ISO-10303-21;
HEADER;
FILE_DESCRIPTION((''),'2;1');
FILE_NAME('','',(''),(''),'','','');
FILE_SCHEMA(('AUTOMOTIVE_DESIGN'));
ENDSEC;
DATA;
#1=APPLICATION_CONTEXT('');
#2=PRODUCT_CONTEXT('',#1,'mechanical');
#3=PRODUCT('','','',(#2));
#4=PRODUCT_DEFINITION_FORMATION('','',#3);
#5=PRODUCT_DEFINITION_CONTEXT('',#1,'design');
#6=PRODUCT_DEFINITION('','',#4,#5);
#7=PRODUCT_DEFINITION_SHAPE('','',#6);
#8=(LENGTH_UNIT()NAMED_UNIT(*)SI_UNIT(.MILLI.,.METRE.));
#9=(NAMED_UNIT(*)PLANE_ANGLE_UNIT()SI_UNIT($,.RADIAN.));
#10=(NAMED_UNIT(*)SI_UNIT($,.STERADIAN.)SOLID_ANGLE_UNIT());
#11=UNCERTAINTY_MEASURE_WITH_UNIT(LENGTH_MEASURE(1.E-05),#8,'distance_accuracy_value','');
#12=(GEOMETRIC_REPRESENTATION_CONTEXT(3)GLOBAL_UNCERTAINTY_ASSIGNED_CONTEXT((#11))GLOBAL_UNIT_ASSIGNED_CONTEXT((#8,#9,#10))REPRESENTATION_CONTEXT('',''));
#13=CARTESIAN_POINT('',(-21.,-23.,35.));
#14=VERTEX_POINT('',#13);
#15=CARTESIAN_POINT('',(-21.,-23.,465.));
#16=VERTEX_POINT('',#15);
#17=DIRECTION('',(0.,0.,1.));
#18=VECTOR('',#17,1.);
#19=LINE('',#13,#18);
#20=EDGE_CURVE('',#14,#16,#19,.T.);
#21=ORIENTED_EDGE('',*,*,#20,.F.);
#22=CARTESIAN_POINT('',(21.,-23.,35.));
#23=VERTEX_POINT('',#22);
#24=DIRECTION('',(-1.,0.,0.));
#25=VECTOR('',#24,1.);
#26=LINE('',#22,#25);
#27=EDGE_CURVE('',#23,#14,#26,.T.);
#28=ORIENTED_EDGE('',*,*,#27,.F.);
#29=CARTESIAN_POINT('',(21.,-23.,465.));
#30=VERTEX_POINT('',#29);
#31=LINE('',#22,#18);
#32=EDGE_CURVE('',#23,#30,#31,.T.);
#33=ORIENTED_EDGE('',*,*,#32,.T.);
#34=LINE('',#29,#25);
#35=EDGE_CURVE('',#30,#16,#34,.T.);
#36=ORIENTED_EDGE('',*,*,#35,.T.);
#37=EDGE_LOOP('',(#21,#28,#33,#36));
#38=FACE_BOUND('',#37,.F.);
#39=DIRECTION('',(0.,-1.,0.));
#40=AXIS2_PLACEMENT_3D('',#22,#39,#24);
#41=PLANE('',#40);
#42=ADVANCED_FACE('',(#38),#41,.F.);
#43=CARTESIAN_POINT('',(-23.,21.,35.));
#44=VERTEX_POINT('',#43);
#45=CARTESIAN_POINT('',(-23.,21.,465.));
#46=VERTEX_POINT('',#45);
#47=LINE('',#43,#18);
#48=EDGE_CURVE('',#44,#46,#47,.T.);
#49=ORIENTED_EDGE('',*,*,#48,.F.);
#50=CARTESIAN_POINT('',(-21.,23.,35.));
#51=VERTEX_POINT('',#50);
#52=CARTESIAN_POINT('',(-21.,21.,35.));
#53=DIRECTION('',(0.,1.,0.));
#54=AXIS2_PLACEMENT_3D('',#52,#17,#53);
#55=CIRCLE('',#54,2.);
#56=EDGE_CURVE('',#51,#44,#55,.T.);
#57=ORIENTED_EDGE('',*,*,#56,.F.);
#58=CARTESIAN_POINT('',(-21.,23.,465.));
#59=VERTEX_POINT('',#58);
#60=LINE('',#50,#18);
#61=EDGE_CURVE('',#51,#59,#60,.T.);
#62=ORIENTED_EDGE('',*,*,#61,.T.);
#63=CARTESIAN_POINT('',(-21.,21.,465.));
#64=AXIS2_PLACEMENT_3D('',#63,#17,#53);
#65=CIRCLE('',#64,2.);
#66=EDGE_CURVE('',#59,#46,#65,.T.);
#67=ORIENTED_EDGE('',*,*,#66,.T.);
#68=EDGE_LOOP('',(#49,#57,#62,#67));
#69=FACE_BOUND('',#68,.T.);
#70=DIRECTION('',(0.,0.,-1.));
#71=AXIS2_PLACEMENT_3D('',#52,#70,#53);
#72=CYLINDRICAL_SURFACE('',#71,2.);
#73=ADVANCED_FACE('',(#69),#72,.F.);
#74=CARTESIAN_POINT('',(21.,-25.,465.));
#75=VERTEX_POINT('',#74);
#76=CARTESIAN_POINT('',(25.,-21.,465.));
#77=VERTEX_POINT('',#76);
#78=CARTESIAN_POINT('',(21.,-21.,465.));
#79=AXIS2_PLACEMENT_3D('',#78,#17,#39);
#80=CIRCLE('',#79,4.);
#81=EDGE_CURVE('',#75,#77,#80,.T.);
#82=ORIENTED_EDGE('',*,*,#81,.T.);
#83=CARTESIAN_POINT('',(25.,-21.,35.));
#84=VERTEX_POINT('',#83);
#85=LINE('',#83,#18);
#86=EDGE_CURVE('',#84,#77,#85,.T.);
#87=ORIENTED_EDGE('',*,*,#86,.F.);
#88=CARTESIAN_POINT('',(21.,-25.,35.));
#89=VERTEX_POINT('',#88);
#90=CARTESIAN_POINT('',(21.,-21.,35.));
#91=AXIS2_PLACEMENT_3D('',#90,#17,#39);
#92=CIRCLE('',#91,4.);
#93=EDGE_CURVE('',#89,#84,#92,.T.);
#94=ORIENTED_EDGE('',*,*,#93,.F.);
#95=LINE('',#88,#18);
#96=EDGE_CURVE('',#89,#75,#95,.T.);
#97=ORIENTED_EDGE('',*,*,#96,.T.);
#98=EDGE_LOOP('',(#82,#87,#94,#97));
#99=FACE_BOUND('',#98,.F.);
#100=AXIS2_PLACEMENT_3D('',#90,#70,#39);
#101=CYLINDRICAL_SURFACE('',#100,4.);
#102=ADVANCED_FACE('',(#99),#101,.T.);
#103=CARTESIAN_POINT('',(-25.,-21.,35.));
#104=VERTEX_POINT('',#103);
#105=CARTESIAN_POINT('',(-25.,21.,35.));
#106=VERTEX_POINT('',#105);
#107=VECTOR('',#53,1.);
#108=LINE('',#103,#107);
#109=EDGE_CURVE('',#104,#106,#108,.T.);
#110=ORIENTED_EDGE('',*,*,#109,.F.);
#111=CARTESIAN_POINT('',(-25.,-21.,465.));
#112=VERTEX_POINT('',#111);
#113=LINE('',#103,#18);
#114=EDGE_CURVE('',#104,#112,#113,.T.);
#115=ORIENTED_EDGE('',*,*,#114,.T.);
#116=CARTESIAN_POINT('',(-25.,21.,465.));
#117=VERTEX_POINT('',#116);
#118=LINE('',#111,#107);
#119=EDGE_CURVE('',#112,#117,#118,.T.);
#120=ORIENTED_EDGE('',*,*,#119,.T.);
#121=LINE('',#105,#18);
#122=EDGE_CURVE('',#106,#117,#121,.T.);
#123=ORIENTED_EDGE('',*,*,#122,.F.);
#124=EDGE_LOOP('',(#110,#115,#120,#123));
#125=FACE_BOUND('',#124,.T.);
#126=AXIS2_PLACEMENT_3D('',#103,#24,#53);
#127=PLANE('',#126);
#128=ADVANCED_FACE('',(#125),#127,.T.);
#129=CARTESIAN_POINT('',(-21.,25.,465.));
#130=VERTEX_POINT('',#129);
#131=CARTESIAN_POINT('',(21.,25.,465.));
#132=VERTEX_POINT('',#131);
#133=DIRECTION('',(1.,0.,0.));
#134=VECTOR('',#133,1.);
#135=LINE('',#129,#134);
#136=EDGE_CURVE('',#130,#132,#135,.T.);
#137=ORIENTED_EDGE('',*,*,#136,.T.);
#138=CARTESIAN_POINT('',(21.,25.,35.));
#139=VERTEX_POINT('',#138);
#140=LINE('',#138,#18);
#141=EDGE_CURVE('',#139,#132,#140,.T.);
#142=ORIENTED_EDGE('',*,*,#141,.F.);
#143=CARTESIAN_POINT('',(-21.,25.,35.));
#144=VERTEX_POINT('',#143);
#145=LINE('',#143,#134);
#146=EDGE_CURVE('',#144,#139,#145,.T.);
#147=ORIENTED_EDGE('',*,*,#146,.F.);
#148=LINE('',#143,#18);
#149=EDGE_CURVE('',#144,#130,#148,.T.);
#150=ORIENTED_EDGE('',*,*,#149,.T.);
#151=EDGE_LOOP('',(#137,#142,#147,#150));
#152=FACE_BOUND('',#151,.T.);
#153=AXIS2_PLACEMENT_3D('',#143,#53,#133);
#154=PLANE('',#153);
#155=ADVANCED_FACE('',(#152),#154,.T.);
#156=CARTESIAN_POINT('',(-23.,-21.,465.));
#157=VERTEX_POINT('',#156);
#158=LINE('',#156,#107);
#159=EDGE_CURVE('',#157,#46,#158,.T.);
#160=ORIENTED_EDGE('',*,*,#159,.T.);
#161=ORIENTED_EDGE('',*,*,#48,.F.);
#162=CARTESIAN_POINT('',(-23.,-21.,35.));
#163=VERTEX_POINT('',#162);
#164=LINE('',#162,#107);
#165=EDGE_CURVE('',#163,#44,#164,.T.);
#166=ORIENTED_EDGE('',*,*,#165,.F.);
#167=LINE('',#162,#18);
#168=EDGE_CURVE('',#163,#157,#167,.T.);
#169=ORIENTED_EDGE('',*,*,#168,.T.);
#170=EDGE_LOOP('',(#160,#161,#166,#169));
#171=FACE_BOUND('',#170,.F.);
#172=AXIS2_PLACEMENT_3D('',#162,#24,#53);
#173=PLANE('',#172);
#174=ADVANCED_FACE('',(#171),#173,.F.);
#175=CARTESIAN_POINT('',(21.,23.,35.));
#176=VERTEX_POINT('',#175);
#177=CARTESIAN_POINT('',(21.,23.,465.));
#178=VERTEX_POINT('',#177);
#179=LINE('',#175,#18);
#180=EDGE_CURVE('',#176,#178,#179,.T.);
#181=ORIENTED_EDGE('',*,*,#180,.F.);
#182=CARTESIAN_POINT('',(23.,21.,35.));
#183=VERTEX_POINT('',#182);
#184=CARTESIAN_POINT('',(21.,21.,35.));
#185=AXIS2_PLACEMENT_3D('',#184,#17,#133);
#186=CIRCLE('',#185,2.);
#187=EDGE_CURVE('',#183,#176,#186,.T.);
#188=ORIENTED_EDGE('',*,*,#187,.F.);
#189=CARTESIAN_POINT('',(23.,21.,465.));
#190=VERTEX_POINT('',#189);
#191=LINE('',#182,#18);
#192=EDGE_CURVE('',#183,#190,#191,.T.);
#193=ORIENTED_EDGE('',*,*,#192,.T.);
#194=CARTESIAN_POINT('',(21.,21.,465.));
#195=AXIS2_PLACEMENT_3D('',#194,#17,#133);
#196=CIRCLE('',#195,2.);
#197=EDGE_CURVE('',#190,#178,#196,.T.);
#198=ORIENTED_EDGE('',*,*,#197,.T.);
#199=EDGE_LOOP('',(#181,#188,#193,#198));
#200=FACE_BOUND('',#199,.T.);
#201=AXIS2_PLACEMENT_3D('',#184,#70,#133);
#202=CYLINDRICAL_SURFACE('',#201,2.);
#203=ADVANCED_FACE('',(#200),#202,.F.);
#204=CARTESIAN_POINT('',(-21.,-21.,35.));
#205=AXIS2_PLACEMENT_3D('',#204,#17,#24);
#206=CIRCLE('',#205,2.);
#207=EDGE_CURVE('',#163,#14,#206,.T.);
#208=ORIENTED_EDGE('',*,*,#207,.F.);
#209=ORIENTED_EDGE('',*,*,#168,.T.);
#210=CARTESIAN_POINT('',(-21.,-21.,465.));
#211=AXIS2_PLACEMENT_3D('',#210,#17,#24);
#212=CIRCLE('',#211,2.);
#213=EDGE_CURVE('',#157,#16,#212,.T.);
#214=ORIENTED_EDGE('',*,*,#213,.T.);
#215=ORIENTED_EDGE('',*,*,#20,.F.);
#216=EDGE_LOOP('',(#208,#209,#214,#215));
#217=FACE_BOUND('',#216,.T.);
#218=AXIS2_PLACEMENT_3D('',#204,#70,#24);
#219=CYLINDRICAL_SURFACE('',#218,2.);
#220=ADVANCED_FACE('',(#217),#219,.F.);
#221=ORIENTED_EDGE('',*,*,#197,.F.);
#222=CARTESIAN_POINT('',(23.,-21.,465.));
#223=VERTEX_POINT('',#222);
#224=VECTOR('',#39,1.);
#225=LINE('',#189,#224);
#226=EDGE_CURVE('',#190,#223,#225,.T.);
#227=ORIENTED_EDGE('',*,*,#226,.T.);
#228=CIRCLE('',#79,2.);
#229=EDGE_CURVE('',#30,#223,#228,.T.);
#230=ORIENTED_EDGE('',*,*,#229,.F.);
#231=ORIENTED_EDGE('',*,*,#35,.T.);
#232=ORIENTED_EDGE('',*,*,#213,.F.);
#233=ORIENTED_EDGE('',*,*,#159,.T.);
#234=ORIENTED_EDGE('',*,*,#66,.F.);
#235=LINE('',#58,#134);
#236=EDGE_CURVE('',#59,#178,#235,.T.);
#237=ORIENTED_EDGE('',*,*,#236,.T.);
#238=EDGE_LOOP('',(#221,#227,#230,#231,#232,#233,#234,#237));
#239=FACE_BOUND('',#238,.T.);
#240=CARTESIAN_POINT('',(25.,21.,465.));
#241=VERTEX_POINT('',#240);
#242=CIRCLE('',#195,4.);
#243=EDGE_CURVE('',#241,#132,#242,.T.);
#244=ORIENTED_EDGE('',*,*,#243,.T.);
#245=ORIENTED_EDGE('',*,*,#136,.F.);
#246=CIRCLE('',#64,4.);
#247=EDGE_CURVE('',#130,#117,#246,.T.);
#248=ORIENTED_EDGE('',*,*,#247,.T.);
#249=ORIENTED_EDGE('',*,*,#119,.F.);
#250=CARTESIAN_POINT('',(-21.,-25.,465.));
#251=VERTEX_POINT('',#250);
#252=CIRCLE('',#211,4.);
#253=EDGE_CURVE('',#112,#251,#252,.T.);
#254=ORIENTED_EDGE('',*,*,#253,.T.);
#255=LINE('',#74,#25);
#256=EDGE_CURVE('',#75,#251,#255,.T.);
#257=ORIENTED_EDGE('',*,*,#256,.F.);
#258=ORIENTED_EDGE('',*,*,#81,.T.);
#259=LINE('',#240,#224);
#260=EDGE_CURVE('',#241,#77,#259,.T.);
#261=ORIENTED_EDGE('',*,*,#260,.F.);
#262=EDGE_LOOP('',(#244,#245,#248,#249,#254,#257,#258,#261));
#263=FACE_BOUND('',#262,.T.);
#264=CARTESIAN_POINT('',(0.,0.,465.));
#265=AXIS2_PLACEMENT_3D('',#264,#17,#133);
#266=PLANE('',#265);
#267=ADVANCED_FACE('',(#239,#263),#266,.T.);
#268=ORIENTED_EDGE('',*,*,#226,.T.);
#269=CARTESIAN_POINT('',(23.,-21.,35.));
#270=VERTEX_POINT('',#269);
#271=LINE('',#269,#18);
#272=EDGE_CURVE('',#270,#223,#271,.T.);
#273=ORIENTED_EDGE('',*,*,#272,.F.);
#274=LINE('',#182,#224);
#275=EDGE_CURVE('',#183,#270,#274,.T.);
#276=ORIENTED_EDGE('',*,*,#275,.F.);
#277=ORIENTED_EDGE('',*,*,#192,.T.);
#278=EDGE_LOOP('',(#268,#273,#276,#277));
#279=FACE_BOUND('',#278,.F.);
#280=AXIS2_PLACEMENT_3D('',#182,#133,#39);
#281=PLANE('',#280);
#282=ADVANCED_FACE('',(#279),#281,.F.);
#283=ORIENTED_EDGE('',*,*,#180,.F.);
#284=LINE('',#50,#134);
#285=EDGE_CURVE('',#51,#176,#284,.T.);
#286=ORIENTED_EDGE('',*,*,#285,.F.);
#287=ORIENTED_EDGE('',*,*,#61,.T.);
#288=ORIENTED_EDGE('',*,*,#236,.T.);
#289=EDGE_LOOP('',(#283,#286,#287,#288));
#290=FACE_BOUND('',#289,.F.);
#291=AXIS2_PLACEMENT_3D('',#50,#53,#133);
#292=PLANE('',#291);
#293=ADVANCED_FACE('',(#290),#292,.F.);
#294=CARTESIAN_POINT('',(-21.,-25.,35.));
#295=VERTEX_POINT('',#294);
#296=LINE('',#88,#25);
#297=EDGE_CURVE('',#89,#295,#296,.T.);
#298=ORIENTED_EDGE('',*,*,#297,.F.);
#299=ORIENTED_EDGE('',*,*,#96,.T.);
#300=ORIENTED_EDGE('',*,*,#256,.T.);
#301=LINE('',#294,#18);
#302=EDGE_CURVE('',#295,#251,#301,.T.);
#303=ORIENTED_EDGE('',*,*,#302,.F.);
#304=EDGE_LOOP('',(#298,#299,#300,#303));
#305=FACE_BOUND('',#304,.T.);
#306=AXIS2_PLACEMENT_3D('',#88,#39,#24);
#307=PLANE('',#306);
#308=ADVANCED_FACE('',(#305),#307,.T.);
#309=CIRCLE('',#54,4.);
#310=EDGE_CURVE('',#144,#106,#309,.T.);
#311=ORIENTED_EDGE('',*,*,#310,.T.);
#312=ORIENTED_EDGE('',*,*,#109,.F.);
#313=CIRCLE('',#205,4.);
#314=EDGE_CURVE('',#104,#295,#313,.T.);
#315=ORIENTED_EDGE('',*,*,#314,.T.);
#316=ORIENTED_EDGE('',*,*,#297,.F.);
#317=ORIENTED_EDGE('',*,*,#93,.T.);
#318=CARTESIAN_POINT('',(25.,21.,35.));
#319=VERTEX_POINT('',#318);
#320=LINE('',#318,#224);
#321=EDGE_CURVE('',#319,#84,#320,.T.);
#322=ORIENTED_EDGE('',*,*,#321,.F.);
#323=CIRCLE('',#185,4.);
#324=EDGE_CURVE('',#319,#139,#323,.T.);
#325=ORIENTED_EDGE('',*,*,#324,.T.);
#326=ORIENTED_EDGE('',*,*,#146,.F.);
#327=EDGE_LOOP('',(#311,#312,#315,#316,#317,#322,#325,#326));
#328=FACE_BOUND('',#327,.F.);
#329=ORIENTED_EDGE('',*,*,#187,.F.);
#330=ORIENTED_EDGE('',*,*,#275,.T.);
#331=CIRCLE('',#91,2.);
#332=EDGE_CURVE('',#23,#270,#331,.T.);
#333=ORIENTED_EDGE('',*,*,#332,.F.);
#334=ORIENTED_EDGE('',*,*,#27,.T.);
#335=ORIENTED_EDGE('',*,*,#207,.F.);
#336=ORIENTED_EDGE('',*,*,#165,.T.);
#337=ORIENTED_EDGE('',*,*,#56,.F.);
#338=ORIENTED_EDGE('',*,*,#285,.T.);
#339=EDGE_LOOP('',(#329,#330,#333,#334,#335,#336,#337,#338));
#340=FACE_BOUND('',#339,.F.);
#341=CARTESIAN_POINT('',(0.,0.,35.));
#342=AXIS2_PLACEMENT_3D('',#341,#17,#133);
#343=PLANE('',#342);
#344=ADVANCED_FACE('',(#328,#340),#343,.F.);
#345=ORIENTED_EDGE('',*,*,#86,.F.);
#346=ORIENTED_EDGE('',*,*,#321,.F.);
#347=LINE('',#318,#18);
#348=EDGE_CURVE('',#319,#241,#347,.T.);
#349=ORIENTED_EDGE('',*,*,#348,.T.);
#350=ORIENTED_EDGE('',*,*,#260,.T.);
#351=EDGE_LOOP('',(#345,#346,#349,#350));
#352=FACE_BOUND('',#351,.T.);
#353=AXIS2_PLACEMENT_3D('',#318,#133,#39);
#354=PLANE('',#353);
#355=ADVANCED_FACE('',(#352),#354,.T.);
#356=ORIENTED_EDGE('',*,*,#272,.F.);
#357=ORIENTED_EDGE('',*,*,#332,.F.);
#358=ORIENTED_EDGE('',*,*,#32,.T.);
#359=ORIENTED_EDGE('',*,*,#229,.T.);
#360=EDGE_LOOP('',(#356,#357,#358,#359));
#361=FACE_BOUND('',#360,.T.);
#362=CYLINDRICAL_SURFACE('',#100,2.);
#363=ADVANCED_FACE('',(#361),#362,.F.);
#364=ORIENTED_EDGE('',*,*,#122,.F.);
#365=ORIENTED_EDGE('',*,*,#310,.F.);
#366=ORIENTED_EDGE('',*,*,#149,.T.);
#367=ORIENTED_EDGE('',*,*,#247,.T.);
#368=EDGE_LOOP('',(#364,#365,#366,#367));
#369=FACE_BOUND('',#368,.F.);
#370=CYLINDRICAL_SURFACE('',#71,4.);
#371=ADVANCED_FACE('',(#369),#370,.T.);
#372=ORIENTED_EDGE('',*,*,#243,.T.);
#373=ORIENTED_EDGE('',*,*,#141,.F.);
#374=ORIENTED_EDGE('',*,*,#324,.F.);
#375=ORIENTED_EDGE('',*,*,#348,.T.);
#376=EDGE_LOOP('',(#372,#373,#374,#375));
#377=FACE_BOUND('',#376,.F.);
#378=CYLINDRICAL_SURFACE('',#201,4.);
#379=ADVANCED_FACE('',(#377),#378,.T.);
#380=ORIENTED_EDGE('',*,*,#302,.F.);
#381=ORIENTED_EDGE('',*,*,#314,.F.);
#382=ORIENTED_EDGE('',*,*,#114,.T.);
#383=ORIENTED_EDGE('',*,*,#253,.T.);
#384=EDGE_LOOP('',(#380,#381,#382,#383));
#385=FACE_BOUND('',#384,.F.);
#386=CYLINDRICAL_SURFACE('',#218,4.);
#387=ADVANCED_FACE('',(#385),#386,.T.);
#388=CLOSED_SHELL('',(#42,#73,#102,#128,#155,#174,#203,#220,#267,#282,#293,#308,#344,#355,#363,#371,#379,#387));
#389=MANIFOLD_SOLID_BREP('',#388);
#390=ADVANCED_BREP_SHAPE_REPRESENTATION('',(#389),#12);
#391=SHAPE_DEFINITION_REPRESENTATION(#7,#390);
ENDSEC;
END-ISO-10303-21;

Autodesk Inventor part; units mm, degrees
ref_plane "Plano inicial" through (0, 0, 35) normal (0, 0, 1) x (1, 0, 0)
ref_plane "Plano final" through (0, 0, 465) normal (0, 0, 1) x (1, 0, 0)
sketch "Boceto" plane through (0, 0, 0) normal (0, 0, 1) x (1, 0, 0)
  line L0 (-25, -21) -> (-25, 21)
  line L1 (-21, 25) -> (21, 25)
  line L2 (25, 21) -> (25, -21)
  line L3 (21, -25) -> (-21, -25)
  arc A0 (-25, -21) -> (-21, -25) centre (-21, -21) ccw
  arc A1 (25, 21) -> (21, 25) centre (21, 21) ccw
  arc A2 (-21, 25) -> (-25, 21) centre (-21, 21) ccw
  arc A3 (21, -25) -> (25, -21) centre (21, -21) ccw
  arc A4 (-21, 23) -> (-23, 21) centre (-21, 21) ccw
  line L4 (-21, 23) -> (21, 23)
  arc A5 (23, 21) -> (21, 23) centre (21, 21) ccw
  line L5 (23, 21) -> (23, -21)
  arc A6 (21, -23) -> (23, -21) centre (21, -21) ccw
  line L6 (21, -23) -> (-21, -23)
  arc A7 (-23, -21) -> (-21, -23) centre (-21, -21) ccw
  line L7 (-23, -21) -> (-23, 21)
  line L8 (0, 36.1598) -> (0, -36.1598) construction
  line L9 (-36.1598, 0) -> (36.1598, 0) construction
  dimension "d7" = 4
  dimension "d9" = 50
  dimension "d11" = 50
  dimension "d12" = 2
  dimension "d15" = 25
  dimension "d16" = 25
extrude "Cuerpo" add sketch "Boceto" along normal up to surface (430 mm away) from surface at 35
sketch "Sketch3" plane through (0, 0, 0) normal (0, 0, 1) x (1, 0, 0)
  line L0 (0, 0) -> (10, 0)
ref_plane "Work Plane3" through (0, 0, 0) normal (0, -1, 0) x (1, 0, 0)
sketch "Sketch4" plane through (0, 0, 0) normal (0, -1, 0) x (1, 0, 0)
  line L0 (-2, 35) -> (12, 35)
  line L1 (-2, 465) -> (12, 465)
  dimension "d18" = 430
ref_plane "Plano de trabajo4" through (-1870, 29, 465) normal (0, 0, 1) x (1, 0, 0)
split "Dividir1" plane through (-1870, 29, 465) removes the side toward (0, 0, 1)
ref_plane "Plano de trabajo5" through (-1870, -29, 35) normal (0, 0, -1) x (-1, 0, 0)
split "Dividir2" plane through (-1870, -29, 35) removes the side toward (0, 0, -1)
equation "\"d7\" = G_IR"
equation "\"d9\" = G_W"
equation "\"d11\" = G_H"
equation "\"d12\" = G_T"
equation "\"d15\" = 0.5 * d9"
equation "\"d16\" = 0.5 * d11"
equation "\"d3\" = G_L"
equation "\"G_W\" = 50"
equation "\"G_H\" = 50"
equation "\"G_T\" = 2"
equation "\"G_IR\" = 4"
equation "\"G_L\" = d18"
equation "\"G_OFFSET_START\" = -35"
equation "\"G_OFFSET_END\" = -35"
equation "\"d13\" = -G_OFFSET_START"
equation "\"d14\" = G_OFFSET_END + B_L"
equation "\"B_L\" = 500"
properties part number "ISO 10799-2 - 50x50x2 - 430" material "Galvanizado catalogo 1"
